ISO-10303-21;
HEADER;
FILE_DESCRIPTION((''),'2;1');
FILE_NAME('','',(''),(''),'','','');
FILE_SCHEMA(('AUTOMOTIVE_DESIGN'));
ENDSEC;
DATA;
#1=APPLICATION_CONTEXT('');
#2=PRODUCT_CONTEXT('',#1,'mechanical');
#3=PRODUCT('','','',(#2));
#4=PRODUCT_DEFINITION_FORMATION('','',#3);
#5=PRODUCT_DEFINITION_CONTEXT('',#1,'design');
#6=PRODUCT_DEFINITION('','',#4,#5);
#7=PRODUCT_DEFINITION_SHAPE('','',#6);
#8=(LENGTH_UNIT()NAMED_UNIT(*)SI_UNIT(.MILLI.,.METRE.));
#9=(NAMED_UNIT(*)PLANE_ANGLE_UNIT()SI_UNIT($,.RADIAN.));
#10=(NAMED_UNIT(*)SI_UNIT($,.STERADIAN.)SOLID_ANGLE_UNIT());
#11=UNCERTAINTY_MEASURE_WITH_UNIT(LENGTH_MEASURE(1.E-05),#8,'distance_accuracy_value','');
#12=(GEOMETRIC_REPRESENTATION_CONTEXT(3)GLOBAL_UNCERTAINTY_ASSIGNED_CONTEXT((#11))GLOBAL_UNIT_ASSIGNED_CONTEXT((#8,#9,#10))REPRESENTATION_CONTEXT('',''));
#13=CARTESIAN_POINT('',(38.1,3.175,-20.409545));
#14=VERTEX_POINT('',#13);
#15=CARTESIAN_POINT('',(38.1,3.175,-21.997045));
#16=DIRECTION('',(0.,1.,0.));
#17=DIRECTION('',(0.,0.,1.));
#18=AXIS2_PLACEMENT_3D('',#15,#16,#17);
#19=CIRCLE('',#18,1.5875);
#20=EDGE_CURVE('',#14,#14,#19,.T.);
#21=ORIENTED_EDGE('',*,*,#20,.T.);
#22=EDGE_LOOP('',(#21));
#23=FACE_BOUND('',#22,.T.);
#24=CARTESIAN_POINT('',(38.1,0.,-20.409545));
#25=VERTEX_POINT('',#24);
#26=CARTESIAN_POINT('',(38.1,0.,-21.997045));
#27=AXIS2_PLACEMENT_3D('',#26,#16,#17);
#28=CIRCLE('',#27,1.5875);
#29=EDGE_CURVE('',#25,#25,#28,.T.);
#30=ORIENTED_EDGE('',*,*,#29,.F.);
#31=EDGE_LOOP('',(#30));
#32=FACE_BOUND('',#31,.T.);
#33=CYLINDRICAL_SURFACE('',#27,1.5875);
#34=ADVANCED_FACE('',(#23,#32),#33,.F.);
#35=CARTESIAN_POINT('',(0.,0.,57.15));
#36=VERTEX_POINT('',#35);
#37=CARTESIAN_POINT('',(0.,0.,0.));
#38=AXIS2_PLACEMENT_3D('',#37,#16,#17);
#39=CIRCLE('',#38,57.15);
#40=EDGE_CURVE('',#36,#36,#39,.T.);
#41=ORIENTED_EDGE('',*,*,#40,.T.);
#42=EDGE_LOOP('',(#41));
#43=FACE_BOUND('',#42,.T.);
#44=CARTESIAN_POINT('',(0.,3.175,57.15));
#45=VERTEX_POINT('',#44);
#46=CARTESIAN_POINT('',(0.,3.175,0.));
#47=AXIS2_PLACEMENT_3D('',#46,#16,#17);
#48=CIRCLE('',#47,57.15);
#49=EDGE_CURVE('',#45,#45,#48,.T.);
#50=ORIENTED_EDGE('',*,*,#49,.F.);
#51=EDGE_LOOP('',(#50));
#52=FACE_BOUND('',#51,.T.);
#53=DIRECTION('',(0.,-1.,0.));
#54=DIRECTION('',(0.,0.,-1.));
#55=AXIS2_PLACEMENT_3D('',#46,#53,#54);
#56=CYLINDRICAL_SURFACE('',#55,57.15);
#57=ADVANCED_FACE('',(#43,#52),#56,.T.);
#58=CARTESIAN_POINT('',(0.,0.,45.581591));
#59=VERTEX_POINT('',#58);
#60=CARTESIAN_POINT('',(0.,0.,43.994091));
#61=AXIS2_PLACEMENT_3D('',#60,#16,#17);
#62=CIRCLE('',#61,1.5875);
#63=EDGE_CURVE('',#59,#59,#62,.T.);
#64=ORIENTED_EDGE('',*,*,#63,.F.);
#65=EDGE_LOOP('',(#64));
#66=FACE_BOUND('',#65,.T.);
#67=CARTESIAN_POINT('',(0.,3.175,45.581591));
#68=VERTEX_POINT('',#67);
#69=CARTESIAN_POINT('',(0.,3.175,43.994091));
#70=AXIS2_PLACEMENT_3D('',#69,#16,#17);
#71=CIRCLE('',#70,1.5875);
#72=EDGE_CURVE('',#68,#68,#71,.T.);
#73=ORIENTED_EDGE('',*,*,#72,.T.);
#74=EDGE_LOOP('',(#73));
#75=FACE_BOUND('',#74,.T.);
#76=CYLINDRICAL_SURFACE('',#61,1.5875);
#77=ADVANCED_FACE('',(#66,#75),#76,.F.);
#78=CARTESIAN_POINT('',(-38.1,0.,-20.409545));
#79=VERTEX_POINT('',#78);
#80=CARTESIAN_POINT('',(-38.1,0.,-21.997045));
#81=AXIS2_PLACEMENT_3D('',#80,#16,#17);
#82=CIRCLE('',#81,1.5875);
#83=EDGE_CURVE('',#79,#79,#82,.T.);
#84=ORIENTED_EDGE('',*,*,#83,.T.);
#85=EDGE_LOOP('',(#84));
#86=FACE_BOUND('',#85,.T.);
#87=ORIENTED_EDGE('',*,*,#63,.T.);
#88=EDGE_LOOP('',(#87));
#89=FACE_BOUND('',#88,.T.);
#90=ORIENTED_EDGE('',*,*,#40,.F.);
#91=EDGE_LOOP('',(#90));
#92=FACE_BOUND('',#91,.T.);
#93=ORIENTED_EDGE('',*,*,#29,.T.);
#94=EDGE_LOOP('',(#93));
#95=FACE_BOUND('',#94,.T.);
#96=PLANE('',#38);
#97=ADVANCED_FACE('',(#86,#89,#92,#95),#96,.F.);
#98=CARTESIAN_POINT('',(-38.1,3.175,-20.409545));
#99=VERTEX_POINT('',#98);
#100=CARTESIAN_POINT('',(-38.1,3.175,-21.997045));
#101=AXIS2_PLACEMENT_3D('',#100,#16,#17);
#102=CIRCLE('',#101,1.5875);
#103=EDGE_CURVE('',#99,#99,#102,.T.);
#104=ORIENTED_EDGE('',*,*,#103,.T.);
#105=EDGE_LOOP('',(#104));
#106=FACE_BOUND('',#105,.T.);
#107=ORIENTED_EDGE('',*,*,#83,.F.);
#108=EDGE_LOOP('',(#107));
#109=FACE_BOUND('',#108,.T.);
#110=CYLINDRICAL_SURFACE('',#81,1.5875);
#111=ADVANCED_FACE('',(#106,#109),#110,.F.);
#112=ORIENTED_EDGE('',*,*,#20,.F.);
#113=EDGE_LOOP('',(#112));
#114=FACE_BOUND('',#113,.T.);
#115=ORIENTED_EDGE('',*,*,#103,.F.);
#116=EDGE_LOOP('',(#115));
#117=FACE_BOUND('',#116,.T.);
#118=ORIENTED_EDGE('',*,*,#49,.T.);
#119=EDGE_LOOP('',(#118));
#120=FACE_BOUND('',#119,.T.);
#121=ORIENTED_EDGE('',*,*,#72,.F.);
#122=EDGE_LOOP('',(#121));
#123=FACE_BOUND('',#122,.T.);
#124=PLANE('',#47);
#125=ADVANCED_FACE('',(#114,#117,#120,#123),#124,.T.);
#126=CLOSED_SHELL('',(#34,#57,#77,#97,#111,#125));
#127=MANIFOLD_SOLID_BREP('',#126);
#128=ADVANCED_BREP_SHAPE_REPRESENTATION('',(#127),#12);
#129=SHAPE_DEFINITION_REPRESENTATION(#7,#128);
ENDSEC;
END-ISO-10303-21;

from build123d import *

# Parameters (mm, degrees)
SKETCH1_R           = 57.15
BOSS_EXTRUDE1_DEPTH = 3.175
SKETCH2_R           = 1.5875
CUT_EXTRUDE1_DEPTH  = 81.884643938


with BuildPart() as part:
    # Sketch1 → Boss-Extrude1 (new body)
    with BuildSketch(Plane(origin=(0, 0, 0), x_dir=(1, 0, 0), z_dir=(0, 1, 0))):
        with Locations(Location((0, 0, 0), (0, 0, 270))):
            Circle(SKETCH1_R)
    extrude(amount=BOSS_EXTRUDE1_DEPTH)

    # Sketch2 → Cut-Extrude1 (cut, through all)
    with BuildSketch(Plane(origin=(0, 3.175, 0), x_dir=(1, 0, 0), z_dir=(0, 1, 0))):
        with Locations(Location((0, -43.994090512, 0), (0, 0, 270))):
            Circle(SKETCH2_R)
        with Locations(Location((-38.1, 21.997045256, 0), (0, 0, 270))):
            Circle(SKETCH2_R)
        with Locations(Location((38.1, 21.997045256, 0), (0, 0, 270))):
            Circle(SKETCH2_R)
    extrude(amount=-CUT_EXTRUDE1_DEPTH, mode=Mode.SUBTRACT)


solid = part.part
